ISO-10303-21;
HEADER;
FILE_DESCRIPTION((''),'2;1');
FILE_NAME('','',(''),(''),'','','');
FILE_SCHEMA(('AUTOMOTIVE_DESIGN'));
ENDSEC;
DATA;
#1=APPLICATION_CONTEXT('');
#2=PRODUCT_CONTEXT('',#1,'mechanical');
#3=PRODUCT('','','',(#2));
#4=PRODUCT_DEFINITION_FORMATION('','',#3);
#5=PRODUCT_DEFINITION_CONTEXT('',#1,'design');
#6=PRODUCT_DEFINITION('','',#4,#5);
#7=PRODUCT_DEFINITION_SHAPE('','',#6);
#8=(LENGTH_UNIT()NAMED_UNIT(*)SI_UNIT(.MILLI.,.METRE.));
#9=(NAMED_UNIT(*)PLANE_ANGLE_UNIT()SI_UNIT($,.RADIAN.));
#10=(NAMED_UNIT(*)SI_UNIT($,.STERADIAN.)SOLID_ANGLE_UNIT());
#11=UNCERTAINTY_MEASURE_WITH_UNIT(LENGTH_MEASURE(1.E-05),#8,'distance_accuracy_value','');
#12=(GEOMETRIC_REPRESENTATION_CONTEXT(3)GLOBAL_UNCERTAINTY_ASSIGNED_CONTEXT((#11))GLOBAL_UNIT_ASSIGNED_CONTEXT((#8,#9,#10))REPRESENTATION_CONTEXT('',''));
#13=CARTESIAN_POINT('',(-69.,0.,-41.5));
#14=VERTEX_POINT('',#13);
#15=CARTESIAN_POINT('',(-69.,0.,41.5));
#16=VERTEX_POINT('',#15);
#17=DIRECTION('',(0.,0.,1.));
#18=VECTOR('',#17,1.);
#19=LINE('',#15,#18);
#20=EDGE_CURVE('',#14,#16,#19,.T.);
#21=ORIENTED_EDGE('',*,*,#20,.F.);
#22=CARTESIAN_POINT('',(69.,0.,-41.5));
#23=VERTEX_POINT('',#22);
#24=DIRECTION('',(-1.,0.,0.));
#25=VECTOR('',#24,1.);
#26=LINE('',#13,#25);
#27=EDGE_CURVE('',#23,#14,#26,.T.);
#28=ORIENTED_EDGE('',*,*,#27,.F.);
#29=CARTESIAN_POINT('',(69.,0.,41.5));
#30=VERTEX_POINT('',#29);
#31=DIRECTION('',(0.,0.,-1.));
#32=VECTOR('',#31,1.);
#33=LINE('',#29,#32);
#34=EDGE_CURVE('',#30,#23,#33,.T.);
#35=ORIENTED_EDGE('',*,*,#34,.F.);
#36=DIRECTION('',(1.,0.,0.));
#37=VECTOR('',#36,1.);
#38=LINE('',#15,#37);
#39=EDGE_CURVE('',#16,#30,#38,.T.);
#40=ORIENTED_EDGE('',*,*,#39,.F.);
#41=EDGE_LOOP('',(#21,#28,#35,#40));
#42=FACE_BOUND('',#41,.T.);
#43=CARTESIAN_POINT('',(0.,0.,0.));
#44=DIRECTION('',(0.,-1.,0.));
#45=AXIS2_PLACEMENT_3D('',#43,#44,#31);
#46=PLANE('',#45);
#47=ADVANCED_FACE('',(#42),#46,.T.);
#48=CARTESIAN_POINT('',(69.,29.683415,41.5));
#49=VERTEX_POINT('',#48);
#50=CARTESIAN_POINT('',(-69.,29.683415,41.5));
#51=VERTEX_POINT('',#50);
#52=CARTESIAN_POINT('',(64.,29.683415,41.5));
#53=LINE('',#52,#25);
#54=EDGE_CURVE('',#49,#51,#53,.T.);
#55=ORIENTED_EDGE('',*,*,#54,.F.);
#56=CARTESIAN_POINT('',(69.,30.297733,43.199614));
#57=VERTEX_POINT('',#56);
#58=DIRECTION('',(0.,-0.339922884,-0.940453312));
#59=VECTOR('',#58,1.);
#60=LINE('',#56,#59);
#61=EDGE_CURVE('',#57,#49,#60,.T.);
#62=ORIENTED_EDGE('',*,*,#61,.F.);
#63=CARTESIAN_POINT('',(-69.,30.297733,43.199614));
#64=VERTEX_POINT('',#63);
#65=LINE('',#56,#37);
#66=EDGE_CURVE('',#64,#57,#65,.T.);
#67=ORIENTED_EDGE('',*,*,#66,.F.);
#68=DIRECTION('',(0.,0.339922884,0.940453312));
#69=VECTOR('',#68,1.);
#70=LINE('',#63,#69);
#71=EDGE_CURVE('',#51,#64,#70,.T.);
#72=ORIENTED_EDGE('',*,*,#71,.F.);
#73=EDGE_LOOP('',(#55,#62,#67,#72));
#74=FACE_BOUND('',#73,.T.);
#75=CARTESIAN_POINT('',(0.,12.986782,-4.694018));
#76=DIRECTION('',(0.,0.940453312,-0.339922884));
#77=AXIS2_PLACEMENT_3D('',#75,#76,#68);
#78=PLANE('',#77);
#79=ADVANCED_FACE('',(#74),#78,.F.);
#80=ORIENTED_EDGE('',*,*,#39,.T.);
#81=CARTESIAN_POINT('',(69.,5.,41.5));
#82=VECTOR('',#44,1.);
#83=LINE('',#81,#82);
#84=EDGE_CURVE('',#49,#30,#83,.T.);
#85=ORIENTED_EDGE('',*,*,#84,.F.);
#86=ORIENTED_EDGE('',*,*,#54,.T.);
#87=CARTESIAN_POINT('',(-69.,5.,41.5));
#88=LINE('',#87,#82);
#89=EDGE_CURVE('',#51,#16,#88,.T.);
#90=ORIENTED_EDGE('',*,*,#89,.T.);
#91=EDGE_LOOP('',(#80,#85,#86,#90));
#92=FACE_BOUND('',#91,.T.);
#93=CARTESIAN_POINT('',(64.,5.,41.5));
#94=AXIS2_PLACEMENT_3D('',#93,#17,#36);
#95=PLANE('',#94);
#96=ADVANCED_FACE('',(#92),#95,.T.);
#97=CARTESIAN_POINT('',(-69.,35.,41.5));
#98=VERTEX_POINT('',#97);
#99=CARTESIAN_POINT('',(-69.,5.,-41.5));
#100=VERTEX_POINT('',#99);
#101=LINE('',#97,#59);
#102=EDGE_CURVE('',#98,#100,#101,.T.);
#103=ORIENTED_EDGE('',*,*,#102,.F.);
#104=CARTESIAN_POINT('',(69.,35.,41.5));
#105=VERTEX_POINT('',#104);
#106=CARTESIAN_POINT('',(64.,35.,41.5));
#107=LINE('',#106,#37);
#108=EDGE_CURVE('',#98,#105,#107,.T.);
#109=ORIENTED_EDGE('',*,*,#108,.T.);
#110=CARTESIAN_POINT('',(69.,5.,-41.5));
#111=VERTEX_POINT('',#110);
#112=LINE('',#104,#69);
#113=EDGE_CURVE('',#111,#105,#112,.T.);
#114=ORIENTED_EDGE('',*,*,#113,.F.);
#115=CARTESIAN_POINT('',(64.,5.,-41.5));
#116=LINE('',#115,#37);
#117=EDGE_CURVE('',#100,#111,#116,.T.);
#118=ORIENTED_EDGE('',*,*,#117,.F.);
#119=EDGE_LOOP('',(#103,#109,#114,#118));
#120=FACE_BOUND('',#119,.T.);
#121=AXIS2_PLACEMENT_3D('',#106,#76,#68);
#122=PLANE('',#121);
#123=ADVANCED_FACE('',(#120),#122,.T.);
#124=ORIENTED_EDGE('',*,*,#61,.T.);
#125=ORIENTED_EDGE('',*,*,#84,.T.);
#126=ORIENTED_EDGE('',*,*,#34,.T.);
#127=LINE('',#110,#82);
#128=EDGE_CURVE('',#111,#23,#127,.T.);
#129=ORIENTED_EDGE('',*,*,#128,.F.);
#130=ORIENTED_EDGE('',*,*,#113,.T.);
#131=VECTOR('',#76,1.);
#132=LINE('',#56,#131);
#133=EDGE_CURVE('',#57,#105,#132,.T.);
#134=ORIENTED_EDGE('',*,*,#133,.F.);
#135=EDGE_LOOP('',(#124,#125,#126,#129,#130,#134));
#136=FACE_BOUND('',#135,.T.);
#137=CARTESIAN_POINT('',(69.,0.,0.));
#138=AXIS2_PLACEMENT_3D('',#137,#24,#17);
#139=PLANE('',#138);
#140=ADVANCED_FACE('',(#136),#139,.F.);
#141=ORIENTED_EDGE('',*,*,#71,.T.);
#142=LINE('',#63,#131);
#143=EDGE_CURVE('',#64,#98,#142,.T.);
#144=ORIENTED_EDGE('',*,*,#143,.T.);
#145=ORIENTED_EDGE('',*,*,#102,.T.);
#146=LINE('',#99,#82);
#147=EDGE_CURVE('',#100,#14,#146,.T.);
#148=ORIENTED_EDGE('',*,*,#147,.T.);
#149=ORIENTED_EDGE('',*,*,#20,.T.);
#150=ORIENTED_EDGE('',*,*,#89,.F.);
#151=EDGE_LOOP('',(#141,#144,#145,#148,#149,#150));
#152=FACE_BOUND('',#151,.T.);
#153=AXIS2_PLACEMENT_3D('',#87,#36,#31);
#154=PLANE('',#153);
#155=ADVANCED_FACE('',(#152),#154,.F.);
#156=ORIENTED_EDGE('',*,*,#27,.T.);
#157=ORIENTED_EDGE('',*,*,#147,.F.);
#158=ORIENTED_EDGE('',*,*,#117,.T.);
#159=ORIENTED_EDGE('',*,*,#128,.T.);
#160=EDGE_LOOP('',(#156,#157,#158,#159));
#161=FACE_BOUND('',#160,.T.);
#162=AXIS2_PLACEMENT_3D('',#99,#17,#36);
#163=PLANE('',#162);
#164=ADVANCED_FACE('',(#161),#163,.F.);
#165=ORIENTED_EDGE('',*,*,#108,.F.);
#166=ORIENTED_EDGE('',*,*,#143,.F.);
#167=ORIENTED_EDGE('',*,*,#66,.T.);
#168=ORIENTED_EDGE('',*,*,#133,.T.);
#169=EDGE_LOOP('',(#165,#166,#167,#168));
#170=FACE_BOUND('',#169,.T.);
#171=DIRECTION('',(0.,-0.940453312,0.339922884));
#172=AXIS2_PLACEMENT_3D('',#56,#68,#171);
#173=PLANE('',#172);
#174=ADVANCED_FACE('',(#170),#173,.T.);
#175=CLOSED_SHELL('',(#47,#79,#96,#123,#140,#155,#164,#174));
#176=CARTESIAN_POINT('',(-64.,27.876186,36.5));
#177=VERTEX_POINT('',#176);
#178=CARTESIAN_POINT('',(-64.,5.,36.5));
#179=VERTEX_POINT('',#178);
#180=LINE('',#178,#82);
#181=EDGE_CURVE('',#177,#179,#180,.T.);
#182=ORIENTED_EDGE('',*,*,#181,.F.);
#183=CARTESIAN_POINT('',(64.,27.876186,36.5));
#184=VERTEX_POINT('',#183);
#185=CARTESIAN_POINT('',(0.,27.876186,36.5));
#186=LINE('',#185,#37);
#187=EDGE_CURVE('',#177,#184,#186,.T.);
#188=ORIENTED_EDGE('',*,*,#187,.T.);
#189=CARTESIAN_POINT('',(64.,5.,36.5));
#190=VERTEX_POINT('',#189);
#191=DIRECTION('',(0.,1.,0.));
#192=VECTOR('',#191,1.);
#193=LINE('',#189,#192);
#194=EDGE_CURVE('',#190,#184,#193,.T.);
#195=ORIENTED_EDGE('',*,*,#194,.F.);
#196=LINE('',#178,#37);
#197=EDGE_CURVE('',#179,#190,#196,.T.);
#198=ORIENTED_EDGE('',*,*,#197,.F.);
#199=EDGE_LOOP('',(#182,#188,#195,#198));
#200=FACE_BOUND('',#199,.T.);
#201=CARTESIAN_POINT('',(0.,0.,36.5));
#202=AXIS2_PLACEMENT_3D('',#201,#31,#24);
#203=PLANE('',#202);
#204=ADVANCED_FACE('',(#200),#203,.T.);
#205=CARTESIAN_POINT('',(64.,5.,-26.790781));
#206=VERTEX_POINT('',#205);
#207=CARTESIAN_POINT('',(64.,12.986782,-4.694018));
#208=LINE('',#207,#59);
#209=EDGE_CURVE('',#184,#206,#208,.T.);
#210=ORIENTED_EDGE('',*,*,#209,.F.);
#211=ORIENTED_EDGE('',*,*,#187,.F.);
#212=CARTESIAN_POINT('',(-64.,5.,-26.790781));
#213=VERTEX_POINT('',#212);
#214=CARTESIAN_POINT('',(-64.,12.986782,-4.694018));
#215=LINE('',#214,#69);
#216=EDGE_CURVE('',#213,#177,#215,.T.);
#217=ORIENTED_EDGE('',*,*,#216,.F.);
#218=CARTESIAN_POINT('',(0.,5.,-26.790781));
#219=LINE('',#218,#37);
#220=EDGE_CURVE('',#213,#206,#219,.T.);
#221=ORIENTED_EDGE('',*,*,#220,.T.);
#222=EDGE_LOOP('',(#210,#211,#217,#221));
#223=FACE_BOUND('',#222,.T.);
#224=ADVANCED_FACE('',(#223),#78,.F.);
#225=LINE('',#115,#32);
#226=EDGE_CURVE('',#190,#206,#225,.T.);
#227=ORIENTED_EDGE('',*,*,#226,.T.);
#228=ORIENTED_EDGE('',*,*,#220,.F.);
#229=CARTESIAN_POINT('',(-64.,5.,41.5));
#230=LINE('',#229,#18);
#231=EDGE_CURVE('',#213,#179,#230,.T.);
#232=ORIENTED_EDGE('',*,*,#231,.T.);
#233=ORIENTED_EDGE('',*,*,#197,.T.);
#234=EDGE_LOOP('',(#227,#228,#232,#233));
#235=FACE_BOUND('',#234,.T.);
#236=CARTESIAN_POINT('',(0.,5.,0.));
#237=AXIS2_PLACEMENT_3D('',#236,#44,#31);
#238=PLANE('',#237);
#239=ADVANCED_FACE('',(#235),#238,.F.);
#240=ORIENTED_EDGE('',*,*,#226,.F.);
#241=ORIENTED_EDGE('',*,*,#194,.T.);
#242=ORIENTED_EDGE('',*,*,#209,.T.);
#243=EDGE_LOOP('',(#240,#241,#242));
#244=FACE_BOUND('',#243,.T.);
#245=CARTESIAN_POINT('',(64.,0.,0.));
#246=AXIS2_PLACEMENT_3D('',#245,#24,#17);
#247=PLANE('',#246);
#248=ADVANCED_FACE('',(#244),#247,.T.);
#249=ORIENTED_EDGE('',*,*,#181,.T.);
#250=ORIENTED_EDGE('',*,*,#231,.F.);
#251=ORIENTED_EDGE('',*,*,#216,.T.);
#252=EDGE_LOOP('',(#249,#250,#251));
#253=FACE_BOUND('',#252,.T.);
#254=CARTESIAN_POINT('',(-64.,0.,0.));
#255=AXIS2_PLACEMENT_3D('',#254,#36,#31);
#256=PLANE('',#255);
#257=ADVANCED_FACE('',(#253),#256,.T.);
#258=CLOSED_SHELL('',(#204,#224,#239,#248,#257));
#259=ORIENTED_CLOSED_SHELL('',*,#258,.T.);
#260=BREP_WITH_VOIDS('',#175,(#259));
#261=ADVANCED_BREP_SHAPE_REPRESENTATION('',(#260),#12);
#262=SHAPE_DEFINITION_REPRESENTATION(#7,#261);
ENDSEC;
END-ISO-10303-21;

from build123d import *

# Parameters (mm, degrees)
SKETCH1_W           = 138
SKETCH1_H           = 83
BOSS_EXTRUDE1_DEPTH = 5
BOSS_EXTRUDE2_DEPTH = 5
BOSS_EXTRUDE3_DEPTH = 5
SKETCH5_W           = 128
SKETCH5_H           = 25
BOSS_EXTRUDE4_DEPTH = 5
SKETCH7_W           = 138
SKETCH7_H           = 88.255311455
BOSS_EXTRUDE7_DEPTH = 5


with BuildPart() as part:
    # Sketch1 → Boss-Extrude1 (new body)
    with BuildSketch(Plane(origin=(0, 0, 0), x_dir=(1, 0, 0), z_dir=(0, 1, 0))):
        Rectangle(SKETCH1_W, SKETCH1_H)
    extrude(amount=BOSS_EXTRUDE1_DEPTH)

    # Sketch4 → Boss-Extrude3 (add)
    with BuildSketch(Plane.ZY.offset(69)):
        Polygon((41.5, 5), (41.5, 35), (-41.5, 5), align=None)
    extrude(amount=-BOSS_EXTRUDE3_DEPTH)



with BuildPart() as body_2:
    # Sketch2 → Boss-Extrude2 (new body)
    with BuildSketch(Plane(origin=(69, 0, 0), x_dir=(0, 0, -1), z_dir=(1, 0, 0))):
        Polygon((-41.5, 5), (-41.5, 35), (41.5, 5), align=None)
    extrude(amount=-BOSS_EXTRUDE2_DEPTH)


with BuildPart() as part_1:
    add(part.part)

    add(body_2.part)  # Boss-Extrude4 merges body 2
    # Sketch5 → Boss-Extrude4 (add)
    with BuildSketch(Plane.XY.offset(41.5)):
        with Locations((0, 17.5)):
            Rectangle(SKETCH5_W, SKETCH5_H)
    extrude(amount=-BOSS_EXTRUDE4_DEPTH)

    # Sketch7 → Boss-Extrude7 (add)
    with BuildSketch(Plane(origin=(0, 17.689048658, -6.393632045), x_dir=(1, 0, 0), z_dir=(0, 0.9404533124606549, -0.33992288402192333))):
        with Locations((0, -6.798457681)):
            Rectangle(SKETCH7_W, SKETCH7_H)
    extrude(amount=-BOSS_EXTRUDE7_DEPTH)


solid = part_1.part
